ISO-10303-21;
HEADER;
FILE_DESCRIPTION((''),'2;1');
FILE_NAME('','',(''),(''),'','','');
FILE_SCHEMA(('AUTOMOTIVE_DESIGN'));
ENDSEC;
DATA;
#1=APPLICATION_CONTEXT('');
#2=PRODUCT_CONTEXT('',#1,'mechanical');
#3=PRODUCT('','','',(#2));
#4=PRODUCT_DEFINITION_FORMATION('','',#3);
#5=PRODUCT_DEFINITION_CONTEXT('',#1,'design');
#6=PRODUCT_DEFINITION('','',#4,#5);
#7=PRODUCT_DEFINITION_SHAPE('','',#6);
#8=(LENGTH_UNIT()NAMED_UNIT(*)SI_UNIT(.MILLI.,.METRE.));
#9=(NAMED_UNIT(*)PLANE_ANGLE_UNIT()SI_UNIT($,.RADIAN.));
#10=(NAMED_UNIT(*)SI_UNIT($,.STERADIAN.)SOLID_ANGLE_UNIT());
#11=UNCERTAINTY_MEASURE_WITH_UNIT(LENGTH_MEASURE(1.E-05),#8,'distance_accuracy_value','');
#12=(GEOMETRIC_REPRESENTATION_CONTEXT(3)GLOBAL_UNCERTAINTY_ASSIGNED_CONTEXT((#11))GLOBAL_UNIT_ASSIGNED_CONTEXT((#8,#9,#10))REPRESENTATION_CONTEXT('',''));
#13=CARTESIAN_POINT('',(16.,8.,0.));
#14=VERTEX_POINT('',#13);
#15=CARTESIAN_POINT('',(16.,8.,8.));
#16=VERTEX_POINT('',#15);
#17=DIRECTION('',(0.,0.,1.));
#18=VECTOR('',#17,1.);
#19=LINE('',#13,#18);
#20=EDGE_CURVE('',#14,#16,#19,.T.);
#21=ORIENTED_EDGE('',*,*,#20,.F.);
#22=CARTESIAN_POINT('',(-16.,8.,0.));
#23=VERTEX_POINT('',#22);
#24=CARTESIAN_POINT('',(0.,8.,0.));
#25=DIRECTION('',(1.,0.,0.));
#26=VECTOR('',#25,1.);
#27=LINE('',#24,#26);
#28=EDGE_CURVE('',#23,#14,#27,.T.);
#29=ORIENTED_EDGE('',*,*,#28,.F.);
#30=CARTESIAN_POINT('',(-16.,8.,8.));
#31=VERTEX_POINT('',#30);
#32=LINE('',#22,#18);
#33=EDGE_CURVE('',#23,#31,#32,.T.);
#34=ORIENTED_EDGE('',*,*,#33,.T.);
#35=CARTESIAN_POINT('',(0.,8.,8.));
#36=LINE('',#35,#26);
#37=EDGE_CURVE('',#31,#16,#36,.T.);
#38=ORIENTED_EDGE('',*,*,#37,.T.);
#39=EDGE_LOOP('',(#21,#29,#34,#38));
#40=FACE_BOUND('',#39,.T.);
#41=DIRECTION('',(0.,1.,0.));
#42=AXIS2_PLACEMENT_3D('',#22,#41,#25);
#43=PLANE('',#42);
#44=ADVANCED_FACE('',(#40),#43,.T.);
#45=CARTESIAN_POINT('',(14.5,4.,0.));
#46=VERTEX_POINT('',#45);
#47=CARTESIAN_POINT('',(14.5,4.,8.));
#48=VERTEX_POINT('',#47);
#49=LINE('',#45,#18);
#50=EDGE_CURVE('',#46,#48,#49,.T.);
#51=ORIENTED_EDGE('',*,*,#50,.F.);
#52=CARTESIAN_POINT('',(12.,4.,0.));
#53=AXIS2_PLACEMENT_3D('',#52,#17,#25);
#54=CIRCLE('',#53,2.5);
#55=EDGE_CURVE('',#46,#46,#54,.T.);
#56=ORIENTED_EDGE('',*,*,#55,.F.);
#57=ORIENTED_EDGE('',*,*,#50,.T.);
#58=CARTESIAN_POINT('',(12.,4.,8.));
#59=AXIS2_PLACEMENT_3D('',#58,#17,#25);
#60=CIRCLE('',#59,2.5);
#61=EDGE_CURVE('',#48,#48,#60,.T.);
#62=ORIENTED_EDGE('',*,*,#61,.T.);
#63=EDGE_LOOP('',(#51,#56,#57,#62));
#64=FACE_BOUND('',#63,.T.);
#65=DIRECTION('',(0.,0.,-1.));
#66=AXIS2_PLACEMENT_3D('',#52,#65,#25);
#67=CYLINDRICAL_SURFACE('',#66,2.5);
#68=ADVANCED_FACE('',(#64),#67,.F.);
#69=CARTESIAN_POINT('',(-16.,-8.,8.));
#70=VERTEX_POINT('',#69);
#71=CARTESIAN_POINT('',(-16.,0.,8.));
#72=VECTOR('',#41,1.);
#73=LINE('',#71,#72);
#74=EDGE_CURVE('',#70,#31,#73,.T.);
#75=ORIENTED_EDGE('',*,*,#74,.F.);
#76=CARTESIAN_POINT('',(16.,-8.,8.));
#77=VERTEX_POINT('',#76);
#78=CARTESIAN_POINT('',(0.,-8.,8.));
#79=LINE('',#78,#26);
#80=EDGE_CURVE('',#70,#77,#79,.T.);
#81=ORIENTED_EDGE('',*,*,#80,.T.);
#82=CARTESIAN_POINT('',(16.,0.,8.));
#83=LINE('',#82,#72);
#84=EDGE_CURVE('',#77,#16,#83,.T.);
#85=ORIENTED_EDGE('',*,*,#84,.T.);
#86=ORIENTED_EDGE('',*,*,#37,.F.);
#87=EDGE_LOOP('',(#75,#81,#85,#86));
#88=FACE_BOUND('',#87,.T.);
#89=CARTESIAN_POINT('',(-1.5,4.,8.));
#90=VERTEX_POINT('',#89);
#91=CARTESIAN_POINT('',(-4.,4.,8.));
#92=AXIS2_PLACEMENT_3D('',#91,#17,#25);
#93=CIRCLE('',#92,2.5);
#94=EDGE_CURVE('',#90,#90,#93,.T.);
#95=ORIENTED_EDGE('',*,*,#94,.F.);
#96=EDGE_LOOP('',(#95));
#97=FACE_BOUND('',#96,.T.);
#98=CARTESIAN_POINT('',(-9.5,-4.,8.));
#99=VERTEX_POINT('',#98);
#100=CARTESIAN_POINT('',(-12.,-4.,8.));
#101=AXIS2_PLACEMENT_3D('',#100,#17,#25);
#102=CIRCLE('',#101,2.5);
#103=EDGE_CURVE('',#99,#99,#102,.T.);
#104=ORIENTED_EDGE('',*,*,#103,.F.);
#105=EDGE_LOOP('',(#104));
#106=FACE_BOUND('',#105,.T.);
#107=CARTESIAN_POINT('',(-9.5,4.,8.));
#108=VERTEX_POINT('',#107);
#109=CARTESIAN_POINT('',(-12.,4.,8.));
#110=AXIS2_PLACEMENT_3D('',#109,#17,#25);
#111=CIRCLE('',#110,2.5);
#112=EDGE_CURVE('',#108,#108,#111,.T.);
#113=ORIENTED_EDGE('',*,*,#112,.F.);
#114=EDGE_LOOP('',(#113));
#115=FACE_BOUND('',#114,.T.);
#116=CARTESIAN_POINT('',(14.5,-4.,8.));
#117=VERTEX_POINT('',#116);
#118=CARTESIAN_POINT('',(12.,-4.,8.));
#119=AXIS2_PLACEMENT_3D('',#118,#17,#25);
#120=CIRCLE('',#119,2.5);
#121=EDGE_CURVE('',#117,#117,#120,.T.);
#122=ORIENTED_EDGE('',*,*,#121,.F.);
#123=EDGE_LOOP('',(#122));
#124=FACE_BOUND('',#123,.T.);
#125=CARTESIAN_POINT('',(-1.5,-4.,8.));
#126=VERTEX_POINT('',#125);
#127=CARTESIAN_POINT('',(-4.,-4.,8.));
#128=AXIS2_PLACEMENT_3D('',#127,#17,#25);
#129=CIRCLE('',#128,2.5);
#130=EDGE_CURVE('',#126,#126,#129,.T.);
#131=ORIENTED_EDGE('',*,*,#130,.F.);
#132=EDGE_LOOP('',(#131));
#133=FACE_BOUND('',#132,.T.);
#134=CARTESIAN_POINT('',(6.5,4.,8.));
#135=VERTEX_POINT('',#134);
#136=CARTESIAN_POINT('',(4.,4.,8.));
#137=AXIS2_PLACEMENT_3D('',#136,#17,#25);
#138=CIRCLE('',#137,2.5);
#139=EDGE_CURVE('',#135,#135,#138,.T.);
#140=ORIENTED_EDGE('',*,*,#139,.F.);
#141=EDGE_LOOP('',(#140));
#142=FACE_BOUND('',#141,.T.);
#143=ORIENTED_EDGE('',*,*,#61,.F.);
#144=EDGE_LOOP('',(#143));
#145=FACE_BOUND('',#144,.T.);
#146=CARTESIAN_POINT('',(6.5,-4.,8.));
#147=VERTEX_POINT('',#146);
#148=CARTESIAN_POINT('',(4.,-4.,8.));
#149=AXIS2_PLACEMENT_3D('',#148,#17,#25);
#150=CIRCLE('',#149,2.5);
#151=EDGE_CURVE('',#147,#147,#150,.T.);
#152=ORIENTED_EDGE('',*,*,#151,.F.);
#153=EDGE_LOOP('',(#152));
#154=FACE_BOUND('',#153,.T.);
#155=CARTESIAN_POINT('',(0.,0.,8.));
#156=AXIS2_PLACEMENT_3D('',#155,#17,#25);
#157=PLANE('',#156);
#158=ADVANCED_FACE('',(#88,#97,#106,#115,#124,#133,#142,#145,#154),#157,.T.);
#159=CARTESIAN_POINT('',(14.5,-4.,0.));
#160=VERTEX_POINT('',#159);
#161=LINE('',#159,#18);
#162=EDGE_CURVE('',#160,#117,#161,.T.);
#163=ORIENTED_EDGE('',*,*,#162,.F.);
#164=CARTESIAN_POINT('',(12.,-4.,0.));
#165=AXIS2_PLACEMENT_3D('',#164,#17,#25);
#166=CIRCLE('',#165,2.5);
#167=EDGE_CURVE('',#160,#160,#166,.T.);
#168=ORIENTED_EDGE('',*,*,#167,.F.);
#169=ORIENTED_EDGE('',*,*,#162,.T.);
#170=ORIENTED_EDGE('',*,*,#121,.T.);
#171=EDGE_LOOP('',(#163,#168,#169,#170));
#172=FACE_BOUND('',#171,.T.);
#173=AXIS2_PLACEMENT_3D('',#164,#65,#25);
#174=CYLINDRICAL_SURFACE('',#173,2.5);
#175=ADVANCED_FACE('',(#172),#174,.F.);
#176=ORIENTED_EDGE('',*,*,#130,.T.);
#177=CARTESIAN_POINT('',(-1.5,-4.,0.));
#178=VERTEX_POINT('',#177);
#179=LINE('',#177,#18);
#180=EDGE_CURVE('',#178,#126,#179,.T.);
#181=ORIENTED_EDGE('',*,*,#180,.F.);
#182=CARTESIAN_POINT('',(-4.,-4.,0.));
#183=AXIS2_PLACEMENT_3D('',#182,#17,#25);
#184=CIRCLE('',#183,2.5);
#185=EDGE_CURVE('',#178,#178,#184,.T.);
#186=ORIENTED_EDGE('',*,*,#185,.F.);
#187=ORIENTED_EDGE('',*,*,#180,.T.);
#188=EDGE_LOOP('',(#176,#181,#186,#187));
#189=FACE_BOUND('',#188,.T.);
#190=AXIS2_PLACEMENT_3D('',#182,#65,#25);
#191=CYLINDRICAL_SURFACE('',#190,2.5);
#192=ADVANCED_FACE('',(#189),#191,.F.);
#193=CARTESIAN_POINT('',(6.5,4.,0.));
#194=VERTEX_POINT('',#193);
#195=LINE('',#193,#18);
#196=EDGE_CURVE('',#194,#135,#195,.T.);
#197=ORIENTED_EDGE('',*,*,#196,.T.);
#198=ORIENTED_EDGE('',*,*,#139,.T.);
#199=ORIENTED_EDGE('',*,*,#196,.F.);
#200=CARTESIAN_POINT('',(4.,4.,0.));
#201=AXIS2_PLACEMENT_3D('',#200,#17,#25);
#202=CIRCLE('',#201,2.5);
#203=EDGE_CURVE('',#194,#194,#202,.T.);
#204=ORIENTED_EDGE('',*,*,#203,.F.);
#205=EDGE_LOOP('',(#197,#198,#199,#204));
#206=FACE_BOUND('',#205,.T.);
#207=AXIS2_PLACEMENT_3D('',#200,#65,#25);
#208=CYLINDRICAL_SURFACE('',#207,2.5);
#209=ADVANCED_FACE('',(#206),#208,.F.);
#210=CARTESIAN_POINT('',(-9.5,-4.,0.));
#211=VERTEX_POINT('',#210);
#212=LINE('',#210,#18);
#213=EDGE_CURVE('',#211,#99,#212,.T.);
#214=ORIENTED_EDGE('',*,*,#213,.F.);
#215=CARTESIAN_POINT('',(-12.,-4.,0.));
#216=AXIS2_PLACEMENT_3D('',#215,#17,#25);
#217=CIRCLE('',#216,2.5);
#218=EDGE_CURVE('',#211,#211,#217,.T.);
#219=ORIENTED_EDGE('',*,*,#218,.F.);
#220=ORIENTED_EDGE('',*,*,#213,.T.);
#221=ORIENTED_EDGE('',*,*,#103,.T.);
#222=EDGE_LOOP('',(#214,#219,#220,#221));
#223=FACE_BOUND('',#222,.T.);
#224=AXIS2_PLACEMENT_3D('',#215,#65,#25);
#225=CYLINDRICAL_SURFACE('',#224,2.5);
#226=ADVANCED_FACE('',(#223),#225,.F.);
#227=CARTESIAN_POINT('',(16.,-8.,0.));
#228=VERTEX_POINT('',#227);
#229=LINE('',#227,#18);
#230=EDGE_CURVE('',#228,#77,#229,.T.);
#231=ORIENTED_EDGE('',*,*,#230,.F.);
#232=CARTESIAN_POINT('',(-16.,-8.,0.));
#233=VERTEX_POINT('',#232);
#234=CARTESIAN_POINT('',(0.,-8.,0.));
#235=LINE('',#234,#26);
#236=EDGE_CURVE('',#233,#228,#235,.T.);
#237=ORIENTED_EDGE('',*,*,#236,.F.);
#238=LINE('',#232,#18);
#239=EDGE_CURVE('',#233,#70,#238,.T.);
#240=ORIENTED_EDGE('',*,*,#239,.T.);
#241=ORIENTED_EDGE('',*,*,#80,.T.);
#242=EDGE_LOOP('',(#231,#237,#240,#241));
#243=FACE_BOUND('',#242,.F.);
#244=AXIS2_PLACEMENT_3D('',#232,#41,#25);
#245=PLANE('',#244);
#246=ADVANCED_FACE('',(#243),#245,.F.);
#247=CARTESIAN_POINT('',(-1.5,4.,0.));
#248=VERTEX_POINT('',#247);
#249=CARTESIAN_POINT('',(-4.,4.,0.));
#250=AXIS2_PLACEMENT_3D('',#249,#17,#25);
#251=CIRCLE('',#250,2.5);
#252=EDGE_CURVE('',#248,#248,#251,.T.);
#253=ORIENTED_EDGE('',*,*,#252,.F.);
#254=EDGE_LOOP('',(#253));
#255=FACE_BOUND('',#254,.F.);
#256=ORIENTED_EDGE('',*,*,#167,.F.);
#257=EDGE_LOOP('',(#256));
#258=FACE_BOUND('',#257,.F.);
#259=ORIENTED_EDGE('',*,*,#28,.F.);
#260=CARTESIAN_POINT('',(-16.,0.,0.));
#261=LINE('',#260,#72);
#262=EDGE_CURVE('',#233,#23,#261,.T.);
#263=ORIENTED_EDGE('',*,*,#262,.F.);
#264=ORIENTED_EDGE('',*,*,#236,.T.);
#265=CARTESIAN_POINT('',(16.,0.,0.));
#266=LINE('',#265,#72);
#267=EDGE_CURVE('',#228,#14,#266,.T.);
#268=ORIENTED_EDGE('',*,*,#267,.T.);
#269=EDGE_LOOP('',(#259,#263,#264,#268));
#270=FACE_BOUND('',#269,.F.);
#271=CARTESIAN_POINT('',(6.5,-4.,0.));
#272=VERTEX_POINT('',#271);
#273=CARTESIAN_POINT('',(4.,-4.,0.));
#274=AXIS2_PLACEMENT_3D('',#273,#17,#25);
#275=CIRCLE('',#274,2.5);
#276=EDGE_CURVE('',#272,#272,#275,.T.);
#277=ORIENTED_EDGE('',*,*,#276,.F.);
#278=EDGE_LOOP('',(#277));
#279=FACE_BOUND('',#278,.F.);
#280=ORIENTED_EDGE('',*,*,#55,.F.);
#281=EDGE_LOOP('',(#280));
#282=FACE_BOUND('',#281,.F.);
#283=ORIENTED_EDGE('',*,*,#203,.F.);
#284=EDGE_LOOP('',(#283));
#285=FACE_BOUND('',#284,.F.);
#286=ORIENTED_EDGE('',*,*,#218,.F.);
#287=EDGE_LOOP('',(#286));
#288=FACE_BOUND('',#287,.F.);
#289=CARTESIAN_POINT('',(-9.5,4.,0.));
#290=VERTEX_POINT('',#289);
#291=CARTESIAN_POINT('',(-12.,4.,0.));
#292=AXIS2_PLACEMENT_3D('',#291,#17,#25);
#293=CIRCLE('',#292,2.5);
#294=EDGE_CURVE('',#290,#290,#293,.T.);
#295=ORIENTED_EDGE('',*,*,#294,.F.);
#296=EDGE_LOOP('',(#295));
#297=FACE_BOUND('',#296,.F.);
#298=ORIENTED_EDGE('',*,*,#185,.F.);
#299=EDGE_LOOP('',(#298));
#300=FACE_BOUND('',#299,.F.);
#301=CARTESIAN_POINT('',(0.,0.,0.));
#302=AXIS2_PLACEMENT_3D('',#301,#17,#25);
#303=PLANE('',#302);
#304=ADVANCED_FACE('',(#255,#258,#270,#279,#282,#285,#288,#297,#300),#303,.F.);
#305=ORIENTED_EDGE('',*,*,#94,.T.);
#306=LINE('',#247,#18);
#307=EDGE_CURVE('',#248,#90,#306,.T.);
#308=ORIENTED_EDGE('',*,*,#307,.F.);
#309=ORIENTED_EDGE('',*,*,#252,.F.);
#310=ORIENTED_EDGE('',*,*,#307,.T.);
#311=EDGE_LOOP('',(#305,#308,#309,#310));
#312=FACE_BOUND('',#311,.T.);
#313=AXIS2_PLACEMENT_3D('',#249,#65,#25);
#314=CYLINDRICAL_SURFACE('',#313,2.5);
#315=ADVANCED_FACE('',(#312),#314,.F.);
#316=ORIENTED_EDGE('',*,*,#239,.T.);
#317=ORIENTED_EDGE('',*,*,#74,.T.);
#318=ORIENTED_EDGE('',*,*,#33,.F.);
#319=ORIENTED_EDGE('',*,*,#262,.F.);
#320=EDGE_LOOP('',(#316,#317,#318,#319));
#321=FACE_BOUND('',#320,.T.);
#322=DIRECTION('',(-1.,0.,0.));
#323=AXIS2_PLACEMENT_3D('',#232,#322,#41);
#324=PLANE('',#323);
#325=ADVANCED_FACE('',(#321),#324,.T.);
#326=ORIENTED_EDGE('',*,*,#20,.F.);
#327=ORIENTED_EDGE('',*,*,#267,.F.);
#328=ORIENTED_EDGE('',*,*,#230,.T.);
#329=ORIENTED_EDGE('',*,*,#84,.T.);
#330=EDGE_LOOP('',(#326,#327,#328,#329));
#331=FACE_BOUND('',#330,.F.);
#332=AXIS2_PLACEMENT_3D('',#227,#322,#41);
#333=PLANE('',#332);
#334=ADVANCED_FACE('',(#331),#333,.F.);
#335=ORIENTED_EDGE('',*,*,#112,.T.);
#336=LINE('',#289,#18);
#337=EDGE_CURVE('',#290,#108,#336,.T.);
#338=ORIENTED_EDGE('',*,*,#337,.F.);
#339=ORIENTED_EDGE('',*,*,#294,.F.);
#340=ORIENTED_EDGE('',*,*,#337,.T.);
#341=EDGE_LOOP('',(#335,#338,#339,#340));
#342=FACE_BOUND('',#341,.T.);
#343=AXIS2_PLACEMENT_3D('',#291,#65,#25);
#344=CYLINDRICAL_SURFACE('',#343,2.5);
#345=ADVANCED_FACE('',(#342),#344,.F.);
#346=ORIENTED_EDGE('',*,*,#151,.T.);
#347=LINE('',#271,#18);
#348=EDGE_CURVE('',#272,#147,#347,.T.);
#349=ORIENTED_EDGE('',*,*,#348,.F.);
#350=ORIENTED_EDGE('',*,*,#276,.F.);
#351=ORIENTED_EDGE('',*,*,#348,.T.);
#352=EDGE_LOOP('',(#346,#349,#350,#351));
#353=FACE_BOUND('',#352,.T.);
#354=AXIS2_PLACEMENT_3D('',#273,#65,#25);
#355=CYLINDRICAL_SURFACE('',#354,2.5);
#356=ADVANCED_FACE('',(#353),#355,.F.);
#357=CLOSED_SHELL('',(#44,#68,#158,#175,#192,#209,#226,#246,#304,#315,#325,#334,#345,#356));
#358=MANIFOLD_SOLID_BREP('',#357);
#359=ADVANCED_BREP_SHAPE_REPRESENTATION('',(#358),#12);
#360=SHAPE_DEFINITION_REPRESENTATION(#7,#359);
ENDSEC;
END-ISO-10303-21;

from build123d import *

# Parameters (mm, degrees)
F0_W     = 32
F0_H     = 16
F0_R     = 2.5
F1_DEPTH = 8


with BuildPart() as f1:
    # F0 (on Top) → F1 (new body)
    with BuildSketch(Plane.XY):
        Rectangle(F0_W, F0_H)
        with Locations((-12, -4)):
            Circle(F0_R, mode=Mode.SUBTRACT)
        with Locations((-4, -4)):
            Circle(F0_R, mode=Mode.SUBTRACT)
        with Locations((4, -4)):
            Circle(F0_R, mode=Mode.SUBTRACT)
        with Locations((12, -4)):
            Circle(F0_R, mode=Mode.SUBTRACT)
        with Locations((-12, 4)):
            Circle(F0_R, mode=Mode.SUBTRACT)
        with Locations((-4, 4)):
            Circle(F0_R, mode=Mode.SUBTRACT)
        with Locations((4, 4)):
            Circle(F0_R, mode=Mode.SUBTRACT)
        with Locations((12, 4)):
            Circle(F0_R, mode=Mode.SUBTRACT)
    extrude(amount=F1_DEPTH)


solid = f1.part
